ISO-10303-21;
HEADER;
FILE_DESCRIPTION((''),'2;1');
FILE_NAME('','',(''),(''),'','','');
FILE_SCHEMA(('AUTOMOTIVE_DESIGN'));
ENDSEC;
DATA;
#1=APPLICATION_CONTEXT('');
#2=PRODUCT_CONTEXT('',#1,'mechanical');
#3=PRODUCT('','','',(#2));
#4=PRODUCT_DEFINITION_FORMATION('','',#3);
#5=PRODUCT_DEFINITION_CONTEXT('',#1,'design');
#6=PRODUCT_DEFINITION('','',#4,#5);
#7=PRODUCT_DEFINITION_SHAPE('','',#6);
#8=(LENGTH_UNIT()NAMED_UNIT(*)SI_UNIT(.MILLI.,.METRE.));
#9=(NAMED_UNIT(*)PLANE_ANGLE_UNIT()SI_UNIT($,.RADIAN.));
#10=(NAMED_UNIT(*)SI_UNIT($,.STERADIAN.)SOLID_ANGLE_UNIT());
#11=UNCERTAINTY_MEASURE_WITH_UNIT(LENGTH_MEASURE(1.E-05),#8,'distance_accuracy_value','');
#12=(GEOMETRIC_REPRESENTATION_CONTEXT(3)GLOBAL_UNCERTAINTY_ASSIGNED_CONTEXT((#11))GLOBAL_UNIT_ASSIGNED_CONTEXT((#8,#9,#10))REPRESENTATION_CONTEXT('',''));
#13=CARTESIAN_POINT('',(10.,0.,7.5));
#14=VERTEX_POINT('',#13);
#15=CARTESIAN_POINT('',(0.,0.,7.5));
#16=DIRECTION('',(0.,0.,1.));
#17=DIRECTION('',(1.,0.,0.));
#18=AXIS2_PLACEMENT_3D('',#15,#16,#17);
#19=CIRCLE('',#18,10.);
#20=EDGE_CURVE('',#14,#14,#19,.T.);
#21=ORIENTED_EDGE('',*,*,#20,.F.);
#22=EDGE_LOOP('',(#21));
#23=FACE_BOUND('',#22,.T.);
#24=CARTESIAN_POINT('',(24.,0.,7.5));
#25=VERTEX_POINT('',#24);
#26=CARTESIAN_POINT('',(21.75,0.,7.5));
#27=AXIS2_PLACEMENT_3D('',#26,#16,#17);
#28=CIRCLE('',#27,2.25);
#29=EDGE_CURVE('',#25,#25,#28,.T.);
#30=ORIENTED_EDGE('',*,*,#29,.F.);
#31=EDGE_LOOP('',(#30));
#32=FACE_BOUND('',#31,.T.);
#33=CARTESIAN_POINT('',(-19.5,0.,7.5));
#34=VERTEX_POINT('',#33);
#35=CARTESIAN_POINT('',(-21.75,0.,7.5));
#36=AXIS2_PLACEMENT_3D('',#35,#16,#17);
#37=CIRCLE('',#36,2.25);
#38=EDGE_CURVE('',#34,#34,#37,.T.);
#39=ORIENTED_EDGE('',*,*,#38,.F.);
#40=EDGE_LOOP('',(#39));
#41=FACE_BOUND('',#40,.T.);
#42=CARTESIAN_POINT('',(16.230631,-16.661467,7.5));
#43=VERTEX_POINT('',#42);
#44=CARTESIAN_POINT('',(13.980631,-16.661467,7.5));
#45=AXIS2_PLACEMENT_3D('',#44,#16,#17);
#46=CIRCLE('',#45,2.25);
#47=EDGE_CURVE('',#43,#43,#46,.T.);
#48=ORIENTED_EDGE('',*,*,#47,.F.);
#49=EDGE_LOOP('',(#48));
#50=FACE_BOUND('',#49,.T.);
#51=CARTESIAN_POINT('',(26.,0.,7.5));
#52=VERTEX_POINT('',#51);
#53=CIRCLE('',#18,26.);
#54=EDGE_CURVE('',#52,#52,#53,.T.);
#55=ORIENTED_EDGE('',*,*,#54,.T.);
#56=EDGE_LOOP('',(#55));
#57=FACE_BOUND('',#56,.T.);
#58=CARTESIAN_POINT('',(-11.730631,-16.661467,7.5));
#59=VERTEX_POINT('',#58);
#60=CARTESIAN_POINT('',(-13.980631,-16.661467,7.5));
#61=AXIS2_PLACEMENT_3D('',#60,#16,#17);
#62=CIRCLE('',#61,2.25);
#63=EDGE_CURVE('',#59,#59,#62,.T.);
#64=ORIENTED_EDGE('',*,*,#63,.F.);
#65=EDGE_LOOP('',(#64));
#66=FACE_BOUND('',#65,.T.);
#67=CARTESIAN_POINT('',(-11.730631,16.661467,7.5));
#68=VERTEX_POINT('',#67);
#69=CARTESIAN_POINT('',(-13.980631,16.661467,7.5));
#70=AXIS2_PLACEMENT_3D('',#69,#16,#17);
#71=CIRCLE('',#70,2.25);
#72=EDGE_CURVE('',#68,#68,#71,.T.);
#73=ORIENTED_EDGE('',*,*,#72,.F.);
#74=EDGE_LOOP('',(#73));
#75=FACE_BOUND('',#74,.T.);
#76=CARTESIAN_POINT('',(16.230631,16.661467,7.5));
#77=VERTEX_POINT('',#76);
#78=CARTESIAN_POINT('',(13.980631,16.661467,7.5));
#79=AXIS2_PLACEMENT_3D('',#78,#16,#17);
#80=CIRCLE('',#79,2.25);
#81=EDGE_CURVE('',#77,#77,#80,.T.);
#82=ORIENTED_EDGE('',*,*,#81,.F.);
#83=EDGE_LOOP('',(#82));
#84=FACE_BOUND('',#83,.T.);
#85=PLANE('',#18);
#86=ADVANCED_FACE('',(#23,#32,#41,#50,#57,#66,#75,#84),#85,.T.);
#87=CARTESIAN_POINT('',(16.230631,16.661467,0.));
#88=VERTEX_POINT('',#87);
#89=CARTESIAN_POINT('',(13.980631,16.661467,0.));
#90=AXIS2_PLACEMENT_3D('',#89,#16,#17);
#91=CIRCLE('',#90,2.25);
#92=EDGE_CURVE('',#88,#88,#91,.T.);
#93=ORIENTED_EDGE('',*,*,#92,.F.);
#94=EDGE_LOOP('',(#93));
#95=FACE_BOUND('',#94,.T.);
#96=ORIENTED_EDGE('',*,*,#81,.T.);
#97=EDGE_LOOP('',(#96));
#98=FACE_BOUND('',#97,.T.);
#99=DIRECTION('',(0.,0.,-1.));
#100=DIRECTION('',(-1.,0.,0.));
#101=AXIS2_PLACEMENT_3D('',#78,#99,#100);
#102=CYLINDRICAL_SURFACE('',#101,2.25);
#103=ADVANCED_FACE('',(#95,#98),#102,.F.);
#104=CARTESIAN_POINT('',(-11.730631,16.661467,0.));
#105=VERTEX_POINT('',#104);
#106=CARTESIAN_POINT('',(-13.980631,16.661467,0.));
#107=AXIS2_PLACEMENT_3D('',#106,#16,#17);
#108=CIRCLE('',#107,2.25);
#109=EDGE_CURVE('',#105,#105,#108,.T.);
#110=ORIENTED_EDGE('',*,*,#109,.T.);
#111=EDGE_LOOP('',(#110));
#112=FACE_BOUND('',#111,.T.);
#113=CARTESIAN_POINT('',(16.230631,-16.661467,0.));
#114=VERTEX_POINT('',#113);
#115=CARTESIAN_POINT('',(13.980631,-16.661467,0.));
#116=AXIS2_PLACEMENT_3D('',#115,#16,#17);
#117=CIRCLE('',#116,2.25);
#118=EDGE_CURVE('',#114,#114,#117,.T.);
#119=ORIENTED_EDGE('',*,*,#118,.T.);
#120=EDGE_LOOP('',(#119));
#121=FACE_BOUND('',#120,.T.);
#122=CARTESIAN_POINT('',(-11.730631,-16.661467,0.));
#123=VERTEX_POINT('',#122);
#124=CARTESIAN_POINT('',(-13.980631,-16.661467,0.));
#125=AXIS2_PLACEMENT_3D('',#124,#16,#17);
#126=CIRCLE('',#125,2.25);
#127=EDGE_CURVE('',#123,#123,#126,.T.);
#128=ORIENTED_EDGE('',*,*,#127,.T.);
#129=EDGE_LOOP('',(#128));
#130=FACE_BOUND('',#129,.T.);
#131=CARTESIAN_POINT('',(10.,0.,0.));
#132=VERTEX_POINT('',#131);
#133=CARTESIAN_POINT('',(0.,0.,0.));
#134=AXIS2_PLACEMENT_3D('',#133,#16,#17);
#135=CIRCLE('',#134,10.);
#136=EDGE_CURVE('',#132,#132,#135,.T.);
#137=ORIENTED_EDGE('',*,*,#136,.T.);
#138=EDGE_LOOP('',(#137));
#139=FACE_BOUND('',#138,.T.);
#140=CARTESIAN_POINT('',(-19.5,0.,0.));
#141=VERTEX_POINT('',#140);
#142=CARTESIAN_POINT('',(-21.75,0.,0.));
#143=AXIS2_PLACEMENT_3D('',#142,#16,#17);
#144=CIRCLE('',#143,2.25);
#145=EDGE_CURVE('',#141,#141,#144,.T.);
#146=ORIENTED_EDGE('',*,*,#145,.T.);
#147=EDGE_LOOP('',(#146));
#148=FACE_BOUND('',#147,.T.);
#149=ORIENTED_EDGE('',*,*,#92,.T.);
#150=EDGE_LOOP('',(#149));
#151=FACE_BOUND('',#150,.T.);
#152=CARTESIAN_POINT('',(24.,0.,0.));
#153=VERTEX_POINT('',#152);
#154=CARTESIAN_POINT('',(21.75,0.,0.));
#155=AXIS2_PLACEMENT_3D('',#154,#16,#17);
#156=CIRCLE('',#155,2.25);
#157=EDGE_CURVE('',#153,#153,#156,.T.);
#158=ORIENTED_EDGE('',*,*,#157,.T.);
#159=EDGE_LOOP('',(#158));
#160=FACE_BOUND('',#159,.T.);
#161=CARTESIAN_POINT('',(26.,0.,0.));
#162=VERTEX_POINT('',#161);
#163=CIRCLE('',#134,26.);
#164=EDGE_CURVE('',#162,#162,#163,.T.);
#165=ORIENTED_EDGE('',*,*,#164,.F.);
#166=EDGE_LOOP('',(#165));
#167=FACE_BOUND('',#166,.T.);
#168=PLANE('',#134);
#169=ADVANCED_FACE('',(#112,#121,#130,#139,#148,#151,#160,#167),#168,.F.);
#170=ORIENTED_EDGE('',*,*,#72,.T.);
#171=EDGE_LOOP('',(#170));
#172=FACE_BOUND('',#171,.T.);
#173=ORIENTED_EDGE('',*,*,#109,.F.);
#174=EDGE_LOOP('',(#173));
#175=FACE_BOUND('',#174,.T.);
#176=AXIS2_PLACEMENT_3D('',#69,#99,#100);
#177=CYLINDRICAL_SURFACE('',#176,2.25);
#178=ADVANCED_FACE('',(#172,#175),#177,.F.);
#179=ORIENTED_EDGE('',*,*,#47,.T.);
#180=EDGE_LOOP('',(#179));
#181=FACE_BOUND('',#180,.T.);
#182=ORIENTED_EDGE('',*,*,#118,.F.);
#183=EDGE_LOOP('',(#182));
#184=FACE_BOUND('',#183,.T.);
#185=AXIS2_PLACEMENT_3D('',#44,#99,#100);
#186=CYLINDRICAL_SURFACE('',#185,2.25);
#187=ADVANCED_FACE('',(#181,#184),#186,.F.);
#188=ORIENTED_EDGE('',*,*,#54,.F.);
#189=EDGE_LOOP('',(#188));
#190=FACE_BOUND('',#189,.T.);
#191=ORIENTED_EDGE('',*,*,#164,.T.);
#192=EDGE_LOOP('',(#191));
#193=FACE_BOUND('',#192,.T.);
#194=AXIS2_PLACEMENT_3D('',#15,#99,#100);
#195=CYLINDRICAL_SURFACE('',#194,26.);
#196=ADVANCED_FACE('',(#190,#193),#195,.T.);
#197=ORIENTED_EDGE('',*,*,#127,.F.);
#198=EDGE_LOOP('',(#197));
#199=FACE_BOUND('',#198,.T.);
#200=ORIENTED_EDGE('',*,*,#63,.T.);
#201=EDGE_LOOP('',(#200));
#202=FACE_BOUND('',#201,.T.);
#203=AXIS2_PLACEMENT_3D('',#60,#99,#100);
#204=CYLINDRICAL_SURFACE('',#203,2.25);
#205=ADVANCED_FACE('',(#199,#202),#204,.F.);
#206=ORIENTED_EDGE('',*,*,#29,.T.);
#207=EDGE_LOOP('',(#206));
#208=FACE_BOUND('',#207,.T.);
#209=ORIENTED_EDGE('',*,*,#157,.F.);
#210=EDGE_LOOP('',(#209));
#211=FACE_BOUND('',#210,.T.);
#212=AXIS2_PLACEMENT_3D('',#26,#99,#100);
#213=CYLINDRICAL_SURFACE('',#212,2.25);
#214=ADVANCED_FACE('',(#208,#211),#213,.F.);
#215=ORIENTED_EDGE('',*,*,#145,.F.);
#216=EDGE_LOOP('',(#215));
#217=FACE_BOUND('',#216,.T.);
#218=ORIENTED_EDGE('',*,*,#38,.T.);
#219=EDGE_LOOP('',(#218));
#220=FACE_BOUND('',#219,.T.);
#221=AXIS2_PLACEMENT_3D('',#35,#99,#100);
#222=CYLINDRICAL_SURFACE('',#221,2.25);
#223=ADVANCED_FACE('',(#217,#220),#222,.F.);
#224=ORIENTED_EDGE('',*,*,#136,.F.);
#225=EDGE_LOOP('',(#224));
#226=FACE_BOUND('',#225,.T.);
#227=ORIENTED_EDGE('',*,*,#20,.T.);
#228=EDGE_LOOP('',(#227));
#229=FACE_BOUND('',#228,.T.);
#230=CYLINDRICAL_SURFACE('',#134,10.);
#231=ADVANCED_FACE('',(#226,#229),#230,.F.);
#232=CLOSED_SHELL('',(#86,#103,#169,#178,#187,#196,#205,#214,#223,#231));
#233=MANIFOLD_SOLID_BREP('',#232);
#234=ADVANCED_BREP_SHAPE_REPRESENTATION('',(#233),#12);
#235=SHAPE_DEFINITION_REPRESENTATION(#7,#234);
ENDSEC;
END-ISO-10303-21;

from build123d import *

# Parameters (mm, degrees)
SKETCH_1_R          = 26
SKETCH_1_R_2        = 2.25
EXTRUDE_1_DEPTH     = 7.5
SKETCH_2_R          = 10
CUT_EXTRUDE_1_DEPTH = 38.526657192


with BuildPart() as part:
    # 草图1 → 凸台-拉伸1 (new body)
    with BuildSketch(Plane.XY):
        Circle(SKETCH_1_R)
        with Locations((-21.75, 0)):
            Circle(SKETCH_1_R_2, mode=Mode.SUBTRACT)
        with Locations((-13.980630511, 16.661466638)):
            Circle(SKETCH_1_R_2, mode=Mode.SUBTRACT)
        with Locations((-13.980630511, -16.661466638)):
            Circle(SKETCH_1_R_2, mode=Mode.SUBTRACT)
        with Locations((13.980630511, -16.661466638)):
            Circle(SKETCH_1_R_2, mode=Mode.SUBTRACT)
        with Locations((21.75, 0)):
            Circle(SKETCH_1_R_2, mode=Mode.SUBTRACT)
        with Locations((13.980630511, 16.661466638)):
            Circle(SKETCH_1_R_2, mode=Mode.SUBTRACT)
    extrude(amount=EXTRUDE_1_DEPTH)

    # 草图2 → 切除-拉伸1 (cut, through all)
    with BuildSketch(Plane.XY.offset(7.5)):
        Circle(SKETCH_2_R)
    extrude(amount=-CUT_EXTRUDE_1_DEPTH, mode=Mode.SUBTRACT)


solid = part.part
